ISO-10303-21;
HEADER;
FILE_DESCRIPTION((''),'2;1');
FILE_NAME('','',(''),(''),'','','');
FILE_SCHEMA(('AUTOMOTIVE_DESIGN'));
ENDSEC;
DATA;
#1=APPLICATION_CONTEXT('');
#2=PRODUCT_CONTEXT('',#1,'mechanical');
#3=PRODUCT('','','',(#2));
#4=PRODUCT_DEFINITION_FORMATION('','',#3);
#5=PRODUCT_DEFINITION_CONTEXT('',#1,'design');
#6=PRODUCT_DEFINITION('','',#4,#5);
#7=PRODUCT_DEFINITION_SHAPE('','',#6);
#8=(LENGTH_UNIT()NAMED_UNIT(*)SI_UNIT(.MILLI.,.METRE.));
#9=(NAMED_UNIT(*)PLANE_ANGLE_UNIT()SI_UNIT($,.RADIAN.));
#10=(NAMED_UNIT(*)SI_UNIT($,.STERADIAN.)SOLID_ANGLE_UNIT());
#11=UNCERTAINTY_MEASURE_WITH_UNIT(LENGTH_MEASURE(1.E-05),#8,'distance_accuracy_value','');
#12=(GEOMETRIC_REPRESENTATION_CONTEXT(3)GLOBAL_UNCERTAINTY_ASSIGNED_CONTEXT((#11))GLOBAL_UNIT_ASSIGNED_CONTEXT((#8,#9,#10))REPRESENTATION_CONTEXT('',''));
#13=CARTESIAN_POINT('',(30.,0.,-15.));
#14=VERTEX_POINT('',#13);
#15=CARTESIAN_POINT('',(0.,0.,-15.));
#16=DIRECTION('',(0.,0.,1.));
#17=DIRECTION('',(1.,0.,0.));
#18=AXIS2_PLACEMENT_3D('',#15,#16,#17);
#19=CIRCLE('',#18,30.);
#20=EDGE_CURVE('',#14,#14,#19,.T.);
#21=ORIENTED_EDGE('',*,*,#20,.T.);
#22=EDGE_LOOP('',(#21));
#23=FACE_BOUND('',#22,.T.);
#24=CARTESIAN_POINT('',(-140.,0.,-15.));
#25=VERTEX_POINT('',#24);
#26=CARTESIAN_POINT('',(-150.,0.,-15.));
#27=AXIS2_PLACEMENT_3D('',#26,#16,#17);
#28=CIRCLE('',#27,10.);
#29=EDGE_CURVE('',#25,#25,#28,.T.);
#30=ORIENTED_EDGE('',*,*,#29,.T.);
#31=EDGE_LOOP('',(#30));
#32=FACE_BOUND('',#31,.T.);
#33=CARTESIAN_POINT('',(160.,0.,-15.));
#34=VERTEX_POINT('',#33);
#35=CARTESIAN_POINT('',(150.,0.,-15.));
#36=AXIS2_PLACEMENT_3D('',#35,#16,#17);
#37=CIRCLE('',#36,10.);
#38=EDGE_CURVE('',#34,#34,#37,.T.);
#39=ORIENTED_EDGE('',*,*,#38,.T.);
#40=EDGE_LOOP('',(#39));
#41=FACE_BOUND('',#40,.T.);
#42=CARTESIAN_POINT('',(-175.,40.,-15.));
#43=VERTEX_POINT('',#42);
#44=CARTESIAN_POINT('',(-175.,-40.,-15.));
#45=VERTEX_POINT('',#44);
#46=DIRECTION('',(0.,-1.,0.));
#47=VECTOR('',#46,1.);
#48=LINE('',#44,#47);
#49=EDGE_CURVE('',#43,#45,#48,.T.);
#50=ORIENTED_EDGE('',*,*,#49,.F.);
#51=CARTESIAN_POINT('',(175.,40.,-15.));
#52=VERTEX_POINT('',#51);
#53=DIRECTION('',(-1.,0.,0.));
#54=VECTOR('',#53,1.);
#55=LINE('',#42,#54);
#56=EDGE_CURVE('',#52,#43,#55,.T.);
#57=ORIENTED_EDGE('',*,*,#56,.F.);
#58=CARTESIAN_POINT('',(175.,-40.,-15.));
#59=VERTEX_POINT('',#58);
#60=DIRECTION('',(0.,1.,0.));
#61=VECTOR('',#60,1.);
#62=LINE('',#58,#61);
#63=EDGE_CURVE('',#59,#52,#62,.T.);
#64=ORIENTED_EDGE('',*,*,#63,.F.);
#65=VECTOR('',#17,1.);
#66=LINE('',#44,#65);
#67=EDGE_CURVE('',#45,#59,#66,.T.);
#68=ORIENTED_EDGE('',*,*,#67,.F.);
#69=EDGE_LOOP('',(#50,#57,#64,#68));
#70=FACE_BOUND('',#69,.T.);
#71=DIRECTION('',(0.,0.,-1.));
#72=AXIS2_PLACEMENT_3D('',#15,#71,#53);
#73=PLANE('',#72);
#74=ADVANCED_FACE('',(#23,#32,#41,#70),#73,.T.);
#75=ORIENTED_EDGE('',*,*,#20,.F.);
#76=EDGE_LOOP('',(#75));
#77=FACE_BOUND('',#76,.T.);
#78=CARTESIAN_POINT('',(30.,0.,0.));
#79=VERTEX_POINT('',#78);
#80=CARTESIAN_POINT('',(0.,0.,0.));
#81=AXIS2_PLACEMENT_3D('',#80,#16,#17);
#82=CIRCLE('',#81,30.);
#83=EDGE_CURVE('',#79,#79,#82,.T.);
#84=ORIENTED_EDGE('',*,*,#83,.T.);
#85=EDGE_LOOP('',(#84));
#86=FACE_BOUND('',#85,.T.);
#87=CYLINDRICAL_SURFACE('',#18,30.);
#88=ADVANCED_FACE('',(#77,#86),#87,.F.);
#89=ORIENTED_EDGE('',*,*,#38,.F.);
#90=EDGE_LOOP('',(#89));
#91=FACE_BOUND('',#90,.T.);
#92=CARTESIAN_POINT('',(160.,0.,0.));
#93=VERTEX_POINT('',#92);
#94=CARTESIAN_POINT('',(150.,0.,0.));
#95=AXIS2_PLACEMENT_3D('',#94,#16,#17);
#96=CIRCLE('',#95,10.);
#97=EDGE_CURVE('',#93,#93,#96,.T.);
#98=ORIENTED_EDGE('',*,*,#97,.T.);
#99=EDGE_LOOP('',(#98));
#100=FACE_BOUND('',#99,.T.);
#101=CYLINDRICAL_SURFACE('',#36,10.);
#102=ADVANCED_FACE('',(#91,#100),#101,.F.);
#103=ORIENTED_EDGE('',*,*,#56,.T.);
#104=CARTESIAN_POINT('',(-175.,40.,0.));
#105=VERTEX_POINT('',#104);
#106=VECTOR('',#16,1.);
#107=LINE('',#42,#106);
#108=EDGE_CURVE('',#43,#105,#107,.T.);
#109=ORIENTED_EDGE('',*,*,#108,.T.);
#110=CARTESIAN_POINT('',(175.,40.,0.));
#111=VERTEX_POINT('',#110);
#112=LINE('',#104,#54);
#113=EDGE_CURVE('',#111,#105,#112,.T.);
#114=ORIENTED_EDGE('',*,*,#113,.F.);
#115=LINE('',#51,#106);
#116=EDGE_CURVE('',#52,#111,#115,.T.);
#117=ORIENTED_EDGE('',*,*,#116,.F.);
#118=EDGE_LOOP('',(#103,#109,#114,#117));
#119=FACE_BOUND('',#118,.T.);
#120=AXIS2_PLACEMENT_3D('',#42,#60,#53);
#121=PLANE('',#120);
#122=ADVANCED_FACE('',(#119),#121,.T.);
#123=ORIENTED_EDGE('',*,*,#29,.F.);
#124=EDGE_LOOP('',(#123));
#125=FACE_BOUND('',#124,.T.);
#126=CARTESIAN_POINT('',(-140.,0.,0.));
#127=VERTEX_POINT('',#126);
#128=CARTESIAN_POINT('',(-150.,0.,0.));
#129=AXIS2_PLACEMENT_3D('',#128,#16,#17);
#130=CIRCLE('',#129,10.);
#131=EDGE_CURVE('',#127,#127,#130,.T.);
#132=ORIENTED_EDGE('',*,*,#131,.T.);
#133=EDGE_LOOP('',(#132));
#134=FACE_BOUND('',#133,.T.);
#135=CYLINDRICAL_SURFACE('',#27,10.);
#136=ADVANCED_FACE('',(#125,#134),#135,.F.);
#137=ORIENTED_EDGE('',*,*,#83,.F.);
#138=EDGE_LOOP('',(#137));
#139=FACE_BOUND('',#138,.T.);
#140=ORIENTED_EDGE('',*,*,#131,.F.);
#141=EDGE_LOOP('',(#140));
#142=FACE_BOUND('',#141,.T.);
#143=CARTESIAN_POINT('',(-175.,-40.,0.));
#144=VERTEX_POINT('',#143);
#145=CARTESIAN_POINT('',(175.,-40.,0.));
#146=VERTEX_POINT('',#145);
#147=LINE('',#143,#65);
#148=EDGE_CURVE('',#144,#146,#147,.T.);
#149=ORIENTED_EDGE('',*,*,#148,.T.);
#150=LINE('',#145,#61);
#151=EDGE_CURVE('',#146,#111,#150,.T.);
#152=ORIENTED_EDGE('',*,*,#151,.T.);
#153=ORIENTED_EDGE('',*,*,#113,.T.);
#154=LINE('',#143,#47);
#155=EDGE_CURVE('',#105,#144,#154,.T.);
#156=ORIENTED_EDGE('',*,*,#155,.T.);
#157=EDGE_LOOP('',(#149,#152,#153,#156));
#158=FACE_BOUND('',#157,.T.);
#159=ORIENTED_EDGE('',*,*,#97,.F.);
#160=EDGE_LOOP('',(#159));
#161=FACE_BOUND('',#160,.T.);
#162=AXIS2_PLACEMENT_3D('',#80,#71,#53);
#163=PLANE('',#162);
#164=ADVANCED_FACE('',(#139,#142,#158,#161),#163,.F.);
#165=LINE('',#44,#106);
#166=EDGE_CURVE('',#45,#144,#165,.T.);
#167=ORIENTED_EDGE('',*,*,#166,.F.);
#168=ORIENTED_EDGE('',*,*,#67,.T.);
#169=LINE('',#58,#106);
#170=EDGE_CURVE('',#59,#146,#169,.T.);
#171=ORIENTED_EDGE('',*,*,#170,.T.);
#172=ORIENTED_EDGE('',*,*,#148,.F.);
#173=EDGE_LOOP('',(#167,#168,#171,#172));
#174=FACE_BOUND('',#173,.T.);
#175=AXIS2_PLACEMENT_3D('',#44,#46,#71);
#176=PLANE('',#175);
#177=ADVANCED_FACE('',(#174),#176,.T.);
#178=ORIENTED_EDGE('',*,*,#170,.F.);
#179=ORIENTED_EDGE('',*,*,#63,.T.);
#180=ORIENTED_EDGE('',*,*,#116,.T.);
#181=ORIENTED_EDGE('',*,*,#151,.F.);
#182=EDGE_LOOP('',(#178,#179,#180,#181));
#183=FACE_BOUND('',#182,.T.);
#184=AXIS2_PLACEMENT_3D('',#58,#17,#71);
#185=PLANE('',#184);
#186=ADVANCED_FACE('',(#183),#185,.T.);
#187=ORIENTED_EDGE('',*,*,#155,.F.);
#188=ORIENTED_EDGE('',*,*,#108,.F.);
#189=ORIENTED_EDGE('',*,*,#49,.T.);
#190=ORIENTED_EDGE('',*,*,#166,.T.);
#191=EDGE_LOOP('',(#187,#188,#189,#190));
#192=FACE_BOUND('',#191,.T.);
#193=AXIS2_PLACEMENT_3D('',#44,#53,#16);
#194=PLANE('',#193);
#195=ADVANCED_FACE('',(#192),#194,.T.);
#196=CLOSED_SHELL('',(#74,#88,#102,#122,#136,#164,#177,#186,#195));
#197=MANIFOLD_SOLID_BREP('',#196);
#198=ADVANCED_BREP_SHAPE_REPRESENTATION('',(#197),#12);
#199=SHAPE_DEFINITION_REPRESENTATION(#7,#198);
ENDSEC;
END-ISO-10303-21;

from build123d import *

# Parameters (mm, degrees)
CROQUIS1_W              = 350
CROQUIS1_H              = 80
CROQUIS1_R              = 30
CROQUIS1_R_2            = 10
SALIENTE_EXTRUIR1_DEPTH = 15


with BuildPart() as part:
    # Croquis1 → Saliente-Extruir1 (new body)
    with BuildSketch(Plane.XY):
        Rectangle(CROQUIS1_W, CROQUIS1_H)
        Circle(CROQUIS1_R, mode=Mode.SUBTRACT)
        with Locations((150, 0)):
            Circle(CROQUIS1_R_2, mode=Mode.SUBTRACT)
        with Locations((-150, 0)):
            Circle(CROQUIS1_R_2, mode=Mode.SUBTRACT)
    extrude(amount=-SALIENTE_EXTRUIR1_DEPTH)


solid = part.part
